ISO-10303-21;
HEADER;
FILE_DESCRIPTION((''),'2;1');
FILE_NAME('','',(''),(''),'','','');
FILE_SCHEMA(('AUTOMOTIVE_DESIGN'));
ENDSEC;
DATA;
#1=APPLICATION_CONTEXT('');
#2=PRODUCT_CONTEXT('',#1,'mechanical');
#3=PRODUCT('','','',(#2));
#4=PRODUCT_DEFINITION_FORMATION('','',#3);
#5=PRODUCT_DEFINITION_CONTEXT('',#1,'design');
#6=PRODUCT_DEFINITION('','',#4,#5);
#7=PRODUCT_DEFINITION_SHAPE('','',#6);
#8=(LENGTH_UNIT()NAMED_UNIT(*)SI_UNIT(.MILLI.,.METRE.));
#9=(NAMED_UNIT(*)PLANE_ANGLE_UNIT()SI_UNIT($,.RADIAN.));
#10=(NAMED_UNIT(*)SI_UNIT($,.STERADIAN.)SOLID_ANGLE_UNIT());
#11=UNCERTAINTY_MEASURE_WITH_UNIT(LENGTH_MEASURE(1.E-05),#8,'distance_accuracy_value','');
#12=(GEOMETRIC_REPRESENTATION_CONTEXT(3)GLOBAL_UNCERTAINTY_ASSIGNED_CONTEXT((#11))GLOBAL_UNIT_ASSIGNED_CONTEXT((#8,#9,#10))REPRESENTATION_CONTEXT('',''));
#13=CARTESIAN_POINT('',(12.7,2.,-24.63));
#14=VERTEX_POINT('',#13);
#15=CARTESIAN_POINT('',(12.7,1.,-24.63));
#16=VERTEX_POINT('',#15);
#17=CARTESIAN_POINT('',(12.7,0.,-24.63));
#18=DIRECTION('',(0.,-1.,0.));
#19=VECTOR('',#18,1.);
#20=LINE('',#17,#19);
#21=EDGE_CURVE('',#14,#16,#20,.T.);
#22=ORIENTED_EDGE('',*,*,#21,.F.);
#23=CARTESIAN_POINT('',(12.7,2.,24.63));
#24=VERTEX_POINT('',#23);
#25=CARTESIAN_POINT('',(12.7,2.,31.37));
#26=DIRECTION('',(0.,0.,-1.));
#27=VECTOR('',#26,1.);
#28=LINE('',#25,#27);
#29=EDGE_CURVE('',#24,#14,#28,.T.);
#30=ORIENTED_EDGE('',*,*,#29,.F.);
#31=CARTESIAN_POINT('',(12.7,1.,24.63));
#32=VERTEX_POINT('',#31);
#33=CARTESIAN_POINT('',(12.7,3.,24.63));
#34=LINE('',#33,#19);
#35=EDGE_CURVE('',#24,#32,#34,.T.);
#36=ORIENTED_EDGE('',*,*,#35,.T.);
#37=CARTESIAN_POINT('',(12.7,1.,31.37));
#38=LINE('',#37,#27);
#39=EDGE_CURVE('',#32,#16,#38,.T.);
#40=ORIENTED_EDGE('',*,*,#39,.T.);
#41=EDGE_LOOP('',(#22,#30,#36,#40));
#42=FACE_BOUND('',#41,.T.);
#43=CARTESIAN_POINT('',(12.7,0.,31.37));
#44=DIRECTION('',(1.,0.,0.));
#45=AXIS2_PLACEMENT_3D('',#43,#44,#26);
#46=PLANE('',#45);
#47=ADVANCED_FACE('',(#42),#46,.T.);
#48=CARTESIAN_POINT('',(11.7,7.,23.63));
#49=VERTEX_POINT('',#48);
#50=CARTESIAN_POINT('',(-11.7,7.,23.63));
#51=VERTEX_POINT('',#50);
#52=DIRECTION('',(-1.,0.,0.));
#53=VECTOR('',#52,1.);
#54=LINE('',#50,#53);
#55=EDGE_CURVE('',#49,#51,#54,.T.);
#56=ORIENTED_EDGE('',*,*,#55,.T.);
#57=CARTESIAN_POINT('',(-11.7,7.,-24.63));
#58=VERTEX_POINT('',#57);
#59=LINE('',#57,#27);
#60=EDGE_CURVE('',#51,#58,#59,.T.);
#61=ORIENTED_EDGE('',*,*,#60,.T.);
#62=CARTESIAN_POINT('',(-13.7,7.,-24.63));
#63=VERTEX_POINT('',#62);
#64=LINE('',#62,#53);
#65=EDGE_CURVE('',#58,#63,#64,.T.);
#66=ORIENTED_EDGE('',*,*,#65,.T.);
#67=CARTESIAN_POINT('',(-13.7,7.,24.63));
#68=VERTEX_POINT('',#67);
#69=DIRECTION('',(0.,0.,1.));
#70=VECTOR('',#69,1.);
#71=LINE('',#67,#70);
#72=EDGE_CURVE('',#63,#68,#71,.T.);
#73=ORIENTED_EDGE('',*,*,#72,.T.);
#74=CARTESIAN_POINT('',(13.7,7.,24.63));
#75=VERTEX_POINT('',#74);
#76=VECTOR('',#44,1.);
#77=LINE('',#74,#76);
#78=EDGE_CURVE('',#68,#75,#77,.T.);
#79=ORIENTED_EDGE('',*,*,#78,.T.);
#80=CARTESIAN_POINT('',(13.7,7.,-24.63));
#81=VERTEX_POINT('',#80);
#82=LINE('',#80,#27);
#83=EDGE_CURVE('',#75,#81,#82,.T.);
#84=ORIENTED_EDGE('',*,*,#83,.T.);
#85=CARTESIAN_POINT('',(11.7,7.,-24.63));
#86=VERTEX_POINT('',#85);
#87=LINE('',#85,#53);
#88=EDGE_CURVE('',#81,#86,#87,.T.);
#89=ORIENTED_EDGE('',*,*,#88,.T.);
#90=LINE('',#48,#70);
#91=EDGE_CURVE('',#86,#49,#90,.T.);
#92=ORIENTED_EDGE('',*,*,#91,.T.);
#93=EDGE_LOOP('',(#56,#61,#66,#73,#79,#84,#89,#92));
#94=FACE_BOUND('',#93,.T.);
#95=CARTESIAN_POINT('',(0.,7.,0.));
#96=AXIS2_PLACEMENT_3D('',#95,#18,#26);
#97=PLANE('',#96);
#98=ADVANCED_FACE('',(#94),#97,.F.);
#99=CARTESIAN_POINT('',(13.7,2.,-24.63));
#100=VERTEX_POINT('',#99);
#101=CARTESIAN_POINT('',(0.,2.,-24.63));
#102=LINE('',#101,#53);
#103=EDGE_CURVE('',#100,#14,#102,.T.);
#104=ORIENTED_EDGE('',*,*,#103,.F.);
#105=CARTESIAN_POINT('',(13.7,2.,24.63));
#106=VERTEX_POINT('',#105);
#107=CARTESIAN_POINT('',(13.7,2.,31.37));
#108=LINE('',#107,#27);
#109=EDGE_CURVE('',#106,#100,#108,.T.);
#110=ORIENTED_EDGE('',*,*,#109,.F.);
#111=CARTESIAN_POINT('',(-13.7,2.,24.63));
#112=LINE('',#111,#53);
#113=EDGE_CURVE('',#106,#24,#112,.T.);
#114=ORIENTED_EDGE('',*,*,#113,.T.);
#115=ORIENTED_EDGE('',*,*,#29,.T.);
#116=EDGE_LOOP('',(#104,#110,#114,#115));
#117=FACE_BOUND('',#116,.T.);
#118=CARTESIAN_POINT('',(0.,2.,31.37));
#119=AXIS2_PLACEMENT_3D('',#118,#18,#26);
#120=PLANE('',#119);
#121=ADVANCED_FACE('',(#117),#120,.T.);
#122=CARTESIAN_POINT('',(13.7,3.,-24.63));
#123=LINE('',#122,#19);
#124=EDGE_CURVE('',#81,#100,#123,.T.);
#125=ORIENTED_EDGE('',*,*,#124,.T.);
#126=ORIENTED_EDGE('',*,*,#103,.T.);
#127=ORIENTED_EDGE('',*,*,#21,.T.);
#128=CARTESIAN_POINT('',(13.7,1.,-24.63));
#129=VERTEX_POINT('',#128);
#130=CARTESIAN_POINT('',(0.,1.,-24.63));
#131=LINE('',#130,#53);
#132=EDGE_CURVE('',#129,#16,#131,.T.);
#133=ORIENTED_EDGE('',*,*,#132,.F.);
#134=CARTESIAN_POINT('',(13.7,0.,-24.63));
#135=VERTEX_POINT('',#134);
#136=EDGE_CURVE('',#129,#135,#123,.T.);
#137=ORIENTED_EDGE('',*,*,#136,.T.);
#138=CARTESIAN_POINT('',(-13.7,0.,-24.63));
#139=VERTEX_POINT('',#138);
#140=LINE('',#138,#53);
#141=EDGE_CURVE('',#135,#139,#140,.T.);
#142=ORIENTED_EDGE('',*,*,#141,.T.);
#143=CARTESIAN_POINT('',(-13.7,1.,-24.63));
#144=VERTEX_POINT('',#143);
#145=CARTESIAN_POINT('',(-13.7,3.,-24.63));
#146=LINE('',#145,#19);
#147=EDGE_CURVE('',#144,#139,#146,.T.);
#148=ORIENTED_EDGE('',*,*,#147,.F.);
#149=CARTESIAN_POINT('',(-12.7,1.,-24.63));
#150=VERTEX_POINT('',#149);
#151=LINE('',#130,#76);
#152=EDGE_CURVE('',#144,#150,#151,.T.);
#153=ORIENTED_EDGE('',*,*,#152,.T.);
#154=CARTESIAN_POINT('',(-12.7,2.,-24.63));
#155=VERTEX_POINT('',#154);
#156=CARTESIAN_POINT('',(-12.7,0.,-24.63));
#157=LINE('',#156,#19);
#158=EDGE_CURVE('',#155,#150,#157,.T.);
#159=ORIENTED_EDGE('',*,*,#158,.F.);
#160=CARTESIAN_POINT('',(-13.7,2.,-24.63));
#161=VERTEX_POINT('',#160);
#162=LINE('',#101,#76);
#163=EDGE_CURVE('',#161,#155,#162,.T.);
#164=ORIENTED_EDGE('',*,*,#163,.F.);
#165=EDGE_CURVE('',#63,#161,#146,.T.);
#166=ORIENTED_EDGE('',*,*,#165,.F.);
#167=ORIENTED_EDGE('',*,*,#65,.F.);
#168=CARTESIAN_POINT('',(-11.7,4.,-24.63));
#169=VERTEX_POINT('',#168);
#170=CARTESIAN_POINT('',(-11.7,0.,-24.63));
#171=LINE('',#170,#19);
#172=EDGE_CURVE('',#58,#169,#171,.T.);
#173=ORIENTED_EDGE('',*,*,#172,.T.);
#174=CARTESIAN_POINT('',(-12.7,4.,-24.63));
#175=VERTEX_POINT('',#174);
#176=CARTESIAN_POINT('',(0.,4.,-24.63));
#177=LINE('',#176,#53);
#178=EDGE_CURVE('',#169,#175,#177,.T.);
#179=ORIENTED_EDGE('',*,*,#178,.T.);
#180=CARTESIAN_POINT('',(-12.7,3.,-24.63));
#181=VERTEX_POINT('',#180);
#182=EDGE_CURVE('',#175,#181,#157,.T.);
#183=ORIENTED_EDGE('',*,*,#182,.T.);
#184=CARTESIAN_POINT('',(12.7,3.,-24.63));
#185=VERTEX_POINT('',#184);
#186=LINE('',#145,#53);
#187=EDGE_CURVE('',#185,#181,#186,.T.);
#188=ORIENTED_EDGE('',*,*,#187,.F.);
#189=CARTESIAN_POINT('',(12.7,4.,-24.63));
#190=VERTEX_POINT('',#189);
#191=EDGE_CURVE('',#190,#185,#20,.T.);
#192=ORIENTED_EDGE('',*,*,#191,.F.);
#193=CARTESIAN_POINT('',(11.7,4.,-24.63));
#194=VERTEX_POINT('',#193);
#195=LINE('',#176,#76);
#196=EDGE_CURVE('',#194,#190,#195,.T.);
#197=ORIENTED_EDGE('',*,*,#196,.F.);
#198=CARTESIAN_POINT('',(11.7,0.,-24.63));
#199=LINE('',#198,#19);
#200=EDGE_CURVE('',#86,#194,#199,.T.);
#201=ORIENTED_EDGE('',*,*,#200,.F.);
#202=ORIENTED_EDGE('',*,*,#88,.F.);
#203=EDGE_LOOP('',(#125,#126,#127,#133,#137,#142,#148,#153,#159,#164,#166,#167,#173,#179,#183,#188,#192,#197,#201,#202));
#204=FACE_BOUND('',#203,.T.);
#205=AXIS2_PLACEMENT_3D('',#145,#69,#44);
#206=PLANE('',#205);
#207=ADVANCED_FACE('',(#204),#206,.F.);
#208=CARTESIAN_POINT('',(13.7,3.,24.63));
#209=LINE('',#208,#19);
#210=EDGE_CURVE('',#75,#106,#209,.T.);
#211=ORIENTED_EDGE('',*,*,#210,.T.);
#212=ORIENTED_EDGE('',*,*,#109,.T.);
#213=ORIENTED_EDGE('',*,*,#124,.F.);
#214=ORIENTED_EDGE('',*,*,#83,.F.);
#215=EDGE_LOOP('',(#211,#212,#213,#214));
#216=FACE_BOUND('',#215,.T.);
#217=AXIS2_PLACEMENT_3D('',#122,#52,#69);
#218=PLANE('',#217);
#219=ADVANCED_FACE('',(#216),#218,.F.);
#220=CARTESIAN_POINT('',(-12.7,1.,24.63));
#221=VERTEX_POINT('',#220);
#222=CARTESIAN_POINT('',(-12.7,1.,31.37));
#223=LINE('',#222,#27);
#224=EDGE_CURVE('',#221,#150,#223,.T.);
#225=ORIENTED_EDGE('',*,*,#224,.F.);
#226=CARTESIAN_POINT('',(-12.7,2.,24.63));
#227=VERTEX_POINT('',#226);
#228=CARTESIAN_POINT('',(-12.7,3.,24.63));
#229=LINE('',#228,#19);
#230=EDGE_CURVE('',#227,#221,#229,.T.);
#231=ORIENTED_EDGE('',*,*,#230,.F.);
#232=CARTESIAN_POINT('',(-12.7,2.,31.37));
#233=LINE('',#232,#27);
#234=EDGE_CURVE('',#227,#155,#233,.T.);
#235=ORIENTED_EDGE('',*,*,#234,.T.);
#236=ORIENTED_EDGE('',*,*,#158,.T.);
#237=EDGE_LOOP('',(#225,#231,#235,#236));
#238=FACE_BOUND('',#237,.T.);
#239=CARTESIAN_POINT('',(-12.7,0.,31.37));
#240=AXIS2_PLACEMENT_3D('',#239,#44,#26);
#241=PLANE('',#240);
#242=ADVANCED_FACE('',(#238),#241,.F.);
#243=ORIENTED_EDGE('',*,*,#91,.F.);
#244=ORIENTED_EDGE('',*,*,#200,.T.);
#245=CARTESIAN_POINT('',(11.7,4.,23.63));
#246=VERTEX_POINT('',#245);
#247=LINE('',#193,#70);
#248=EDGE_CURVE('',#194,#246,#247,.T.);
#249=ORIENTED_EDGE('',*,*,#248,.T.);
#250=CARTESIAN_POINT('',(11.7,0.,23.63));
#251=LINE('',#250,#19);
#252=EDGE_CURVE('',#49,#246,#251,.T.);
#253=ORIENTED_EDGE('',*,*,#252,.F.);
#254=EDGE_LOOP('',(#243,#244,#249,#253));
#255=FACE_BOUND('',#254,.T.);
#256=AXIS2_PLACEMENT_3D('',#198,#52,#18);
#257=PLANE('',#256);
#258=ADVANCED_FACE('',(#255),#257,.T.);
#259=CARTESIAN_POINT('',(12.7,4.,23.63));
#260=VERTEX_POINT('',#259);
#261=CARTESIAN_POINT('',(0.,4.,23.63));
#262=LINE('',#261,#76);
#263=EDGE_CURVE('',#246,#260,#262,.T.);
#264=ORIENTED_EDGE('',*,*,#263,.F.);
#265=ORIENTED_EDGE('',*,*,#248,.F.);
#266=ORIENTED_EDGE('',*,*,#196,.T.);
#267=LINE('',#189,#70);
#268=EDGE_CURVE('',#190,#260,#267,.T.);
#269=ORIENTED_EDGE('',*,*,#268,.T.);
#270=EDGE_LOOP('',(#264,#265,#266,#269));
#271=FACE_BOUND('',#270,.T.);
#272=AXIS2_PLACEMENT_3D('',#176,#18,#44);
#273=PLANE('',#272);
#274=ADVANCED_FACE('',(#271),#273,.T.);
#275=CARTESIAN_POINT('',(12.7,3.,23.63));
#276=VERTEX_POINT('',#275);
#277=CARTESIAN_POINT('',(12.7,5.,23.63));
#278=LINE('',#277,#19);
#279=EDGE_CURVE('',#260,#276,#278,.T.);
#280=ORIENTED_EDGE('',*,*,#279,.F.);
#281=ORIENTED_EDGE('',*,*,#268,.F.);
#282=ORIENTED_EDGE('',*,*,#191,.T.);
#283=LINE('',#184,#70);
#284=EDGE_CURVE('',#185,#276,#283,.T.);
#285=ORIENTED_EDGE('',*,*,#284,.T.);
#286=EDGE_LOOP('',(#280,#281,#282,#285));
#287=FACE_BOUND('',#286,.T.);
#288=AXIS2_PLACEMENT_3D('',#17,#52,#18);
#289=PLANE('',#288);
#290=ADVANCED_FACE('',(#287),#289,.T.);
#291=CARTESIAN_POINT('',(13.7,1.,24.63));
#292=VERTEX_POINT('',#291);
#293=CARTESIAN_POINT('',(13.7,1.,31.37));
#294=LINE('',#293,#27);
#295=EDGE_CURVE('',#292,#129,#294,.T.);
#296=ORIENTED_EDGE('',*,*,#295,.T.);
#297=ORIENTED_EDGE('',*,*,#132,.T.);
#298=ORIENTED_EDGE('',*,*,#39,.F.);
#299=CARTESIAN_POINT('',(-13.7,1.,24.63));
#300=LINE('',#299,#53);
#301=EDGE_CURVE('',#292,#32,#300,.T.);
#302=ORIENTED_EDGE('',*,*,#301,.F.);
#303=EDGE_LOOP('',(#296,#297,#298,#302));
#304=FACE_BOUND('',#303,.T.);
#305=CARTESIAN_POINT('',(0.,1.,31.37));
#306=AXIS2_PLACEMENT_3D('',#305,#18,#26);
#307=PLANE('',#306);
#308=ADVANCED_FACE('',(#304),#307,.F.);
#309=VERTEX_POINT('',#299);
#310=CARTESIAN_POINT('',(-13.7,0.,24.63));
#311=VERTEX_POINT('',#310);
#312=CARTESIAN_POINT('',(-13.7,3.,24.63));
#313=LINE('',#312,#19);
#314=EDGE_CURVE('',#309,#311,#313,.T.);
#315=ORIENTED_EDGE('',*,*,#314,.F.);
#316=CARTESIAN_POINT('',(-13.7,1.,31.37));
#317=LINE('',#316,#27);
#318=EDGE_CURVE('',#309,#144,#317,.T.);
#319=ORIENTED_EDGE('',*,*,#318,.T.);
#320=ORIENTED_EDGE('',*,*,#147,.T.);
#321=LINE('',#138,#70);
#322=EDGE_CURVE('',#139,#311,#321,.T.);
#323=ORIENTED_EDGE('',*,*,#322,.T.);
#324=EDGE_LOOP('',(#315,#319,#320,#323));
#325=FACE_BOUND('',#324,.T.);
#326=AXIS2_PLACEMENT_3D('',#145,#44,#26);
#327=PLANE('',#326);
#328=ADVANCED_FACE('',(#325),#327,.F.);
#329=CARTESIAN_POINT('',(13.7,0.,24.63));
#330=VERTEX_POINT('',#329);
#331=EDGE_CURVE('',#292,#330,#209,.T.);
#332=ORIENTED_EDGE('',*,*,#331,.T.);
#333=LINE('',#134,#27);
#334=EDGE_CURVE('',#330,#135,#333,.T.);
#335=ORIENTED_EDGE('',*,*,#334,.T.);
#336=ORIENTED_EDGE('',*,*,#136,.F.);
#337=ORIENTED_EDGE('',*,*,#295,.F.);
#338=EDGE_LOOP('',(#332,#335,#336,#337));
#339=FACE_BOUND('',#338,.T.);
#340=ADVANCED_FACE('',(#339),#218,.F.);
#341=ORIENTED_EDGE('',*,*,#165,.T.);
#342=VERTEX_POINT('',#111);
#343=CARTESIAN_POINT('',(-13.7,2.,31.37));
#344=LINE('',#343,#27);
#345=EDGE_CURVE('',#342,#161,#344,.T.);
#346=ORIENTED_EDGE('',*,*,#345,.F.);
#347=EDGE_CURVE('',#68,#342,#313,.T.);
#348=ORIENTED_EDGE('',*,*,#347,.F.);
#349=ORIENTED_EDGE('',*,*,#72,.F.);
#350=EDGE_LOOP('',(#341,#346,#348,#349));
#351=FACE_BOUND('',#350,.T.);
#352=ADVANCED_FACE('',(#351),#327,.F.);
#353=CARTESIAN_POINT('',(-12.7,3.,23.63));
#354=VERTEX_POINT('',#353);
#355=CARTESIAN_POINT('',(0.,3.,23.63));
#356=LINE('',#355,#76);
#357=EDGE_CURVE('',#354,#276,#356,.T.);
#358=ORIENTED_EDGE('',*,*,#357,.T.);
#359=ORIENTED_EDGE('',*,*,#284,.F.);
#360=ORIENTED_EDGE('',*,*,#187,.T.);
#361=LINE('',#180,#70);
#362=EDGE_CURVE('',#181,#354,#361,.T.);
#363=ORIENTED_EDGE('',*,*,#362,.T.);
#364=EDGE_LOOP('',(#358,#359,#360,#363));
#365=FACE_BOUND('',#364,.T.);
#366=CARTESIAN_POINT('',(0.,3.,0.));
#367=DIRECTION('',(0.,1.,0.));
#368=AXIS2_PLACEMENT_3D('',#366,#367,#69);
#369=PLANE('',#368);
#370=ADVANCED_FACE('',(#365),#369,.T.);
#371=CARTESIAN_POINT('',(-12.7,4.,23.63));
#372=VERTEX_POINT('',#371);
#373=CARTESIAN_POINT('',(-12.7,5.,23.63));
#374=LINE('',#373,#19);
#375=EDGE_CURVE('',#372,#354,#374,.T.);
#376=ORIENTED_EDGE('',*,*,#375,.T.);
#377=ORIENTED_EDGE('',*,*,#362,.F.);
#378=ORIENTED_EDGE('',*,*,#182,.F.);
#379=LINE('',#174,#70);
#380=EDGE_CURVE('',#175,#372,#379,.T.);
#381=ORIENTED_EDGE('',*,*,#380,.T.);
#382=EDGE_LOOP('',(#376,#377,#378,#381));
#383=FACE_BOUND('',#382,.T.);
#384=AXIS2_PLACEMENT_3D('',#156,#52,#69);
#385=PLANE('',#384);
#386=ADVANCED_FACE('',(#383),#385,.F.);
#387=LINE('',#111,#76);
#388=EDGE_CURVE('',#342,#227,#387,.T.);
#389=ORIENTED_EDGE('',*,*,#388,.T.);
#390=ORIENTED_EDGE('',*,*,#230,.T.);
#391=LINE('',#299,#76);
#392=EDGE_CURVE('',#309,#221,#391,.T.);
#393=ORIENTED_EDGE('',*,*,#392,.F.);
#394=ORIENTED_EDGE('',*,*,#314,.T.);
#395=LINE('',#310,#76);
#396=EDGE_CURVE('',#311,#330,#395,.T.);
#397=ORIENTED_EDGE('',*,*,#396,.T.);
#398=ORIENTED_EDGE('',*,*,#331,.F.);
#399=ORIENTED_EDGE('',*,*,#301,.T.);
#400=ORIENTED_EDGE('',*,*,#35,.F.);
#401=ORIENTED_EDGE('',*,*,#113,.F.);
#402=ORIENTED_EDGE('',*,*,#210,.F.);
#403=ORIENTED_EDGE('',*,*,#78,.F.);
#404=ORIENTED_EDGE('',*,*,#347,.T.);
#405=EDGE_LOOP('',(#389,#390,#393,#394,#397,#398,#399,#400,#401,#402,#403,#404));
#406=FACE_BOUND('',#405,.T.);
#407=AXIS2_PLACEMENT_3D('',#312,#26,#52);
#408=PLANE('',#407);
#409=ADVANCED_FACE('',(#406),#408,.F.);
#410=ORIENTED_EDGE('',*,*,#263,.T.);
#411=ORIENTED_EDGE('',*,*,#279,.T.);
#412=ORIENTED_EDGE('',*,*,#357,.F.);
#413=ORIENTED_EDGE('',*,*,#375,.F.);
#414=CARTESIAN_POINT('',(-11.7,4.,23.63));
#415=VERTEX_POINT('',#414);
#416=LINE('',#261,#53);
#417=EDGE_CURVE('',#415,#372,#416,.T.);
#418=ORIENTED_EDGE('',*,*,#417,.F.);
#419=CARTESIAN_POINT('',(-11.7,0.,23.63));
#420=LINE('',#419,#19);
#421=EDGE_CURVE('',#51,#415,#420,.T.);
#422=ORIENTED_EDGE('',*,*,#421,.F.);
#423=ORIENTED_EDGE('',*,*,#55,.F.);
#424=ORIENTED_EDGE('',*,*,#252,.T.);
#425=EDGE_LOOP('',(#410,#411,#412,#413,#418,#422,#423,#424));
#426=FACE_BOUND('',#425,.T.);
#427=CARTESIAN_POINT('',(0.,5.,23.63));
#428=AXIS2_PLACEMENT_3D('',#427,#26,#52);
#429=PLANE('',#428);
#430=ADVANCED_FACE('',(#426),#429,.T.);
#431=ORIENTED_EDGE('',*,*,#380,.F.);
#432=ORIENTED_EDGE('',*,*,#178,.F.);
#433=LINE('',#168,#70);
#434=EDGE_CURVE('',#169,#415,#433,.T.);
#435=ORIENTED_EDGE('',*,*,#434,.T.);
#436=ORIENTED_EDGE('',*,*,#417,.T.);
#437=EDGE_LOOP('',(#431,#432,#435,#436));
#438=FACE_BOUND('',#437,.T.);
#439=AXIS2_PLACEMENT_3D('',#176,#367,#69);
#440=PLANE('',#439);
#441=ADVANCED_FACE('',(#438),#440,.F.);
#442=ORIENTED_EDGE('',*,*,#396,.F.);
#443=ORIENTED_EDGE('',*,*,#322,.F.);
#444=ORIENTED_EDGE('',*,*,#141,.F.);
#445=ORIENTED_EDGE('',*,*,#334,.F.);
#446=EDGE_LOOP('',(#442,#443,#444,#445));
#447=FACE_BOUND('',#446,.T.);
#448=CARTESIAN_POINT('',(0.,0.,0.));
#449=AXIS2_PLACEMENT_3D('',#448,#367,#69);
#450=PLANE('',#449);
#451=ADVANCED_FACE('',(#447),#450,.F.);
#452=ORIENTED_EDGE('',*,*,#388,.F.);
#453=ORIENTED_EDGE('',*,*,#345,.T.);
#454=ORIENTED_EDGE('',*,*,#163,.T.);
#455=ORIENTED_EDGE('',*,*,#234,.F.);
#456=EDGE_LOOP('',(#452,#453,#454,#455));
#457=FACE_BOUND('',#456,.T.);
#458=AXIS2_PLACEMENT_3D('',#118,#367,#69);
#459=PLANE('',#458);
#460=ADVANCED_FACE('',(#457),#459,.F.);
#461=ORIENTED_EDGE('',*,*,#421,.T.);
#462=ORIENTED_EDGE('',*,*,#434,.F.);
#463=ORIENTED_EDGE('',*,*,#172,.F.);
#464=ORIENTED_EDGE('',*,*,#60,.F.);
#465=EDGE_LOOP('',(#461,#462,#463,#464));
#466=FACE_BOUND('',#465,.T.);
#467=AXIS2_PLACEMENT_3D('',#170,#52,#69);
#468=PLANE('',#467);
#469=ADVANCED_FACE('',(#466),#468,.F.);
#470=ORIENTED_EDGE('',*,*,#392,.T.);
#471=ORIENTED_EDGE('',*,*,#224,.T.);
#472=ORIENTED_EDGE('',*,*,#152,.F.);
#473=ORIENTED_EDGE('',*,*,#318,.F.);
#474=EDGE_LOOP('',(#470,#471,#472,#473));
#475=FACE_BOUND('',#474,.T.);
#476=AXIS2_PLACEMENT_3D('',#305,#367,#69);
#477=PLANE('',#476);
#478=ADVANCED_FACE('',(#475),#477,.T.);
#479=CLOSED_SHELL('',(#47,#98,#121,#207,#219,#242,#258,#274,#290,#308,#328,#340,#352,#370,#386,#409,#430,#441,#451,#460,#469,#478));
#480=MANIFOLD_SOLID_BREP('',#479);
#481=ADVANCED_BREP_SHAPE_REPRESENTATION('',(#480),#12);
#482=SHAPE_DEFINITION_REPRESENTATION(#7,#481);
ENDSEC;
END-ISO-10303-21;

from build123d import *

# Parameters (mm, degrees)
CROQUIS11_W             = 27.4
CROQUIS11_H             = 49.26
SALIENTE_EXTRUIR3_DEPTH = 3
CORTAR_EXTRUIR1_DEPTH   = 56
SALIENTE_EXTRUIR4_DEPTH = 49.26
CROQUIS24_W             = 25.4
CROQUIS24_H             = 1
SALIENTE_EXTRUIR6_DEPTH = 2
SALIENTE_EXTRUIR7_DEPTH = 2


with BuildPart() as part:
    # Croquis11 → Saliente-Extruir3 (new body)
    with BuildSketch(Plane(origin=(0, 0, 0), x_dir=(1, 0, 0), z_dir=(0, 1, 0))):
        Rectangle(CROQUIS11_W, CROQUIS11_H)
    extrude(amount=SALIENTE_EXTRUIR3_DEPTH)

    # Croquis21 → Cortar-Extruir1 (cut)
    with BuildSketch(Plane(origin=(0, 0, -24.63), x_dir=(-1, 0, 0), z_dir=(0, 0, -1))):
        Polygon((-12.7, 2), (-13.7, 2), (-13.7, 1.5), (-13.7, 1), (-12.7, 1), (-12.7, 1.5), align=None)
        Polygon((13.7, 2), (12.7, 2), (12.7, 1.5), (12.7, 1), (13.7, 1), (13.7, 1.5), align=None)
    extrude(amount=-CORTAR_EXTRUIR1_DEPTH, mode=Mode.SUBTRACT)

    # Croquis23 → Saliente-Extruir4 (add)
    with BuildSketch(Plane.XY.offset(24.63)):
        Polygon((-13.7, 5), (-13.7, 3), (-12.7, 3), (-12.7, 4), (-11.7, 4), (-11.7, 5), align=None)
        Polygon((12.7, 4), (12.7, 3), (13.7, 3), (13.7, 5), (11.7, 5), (11.7, 4), align=None)
    extrude(amount=-SALIENTE_EXTRUIR4_DEPTH)

    # Croquis24 → Saliente-Extruir6 (add)
    with BuildSketch(Plane(origin=(0, 3, 0), x_dir=(1, 0, 0), z_dir=(0, 1, 0))):
        with Locations((0, -24.13)):
            Rectangle(CROQUIS24_W, CROQUIS24_H)
    extrude(amount=SALIENTE_EXTRUIR6_DEPTH)

    # Croquis26 → Saliente-Extruir7 (add)
    with BuildSketch(Plane(origin=(0, 5, 0), x_dir=(1, 0, 0), z_dir=(0, 1, 0))):
        Polygon((-13.7, 24.63), (-11.7, 24.63), (-11.7, -23.63), (11.7, -23.63), (11.7, 24.63), (13.7, 24.63), (13.7, -24.63), (-13.7, -24.63), align=None)
    extrude(amount=SALIENTE_EXTRUIR7_DEPTH)


solid = part.part
